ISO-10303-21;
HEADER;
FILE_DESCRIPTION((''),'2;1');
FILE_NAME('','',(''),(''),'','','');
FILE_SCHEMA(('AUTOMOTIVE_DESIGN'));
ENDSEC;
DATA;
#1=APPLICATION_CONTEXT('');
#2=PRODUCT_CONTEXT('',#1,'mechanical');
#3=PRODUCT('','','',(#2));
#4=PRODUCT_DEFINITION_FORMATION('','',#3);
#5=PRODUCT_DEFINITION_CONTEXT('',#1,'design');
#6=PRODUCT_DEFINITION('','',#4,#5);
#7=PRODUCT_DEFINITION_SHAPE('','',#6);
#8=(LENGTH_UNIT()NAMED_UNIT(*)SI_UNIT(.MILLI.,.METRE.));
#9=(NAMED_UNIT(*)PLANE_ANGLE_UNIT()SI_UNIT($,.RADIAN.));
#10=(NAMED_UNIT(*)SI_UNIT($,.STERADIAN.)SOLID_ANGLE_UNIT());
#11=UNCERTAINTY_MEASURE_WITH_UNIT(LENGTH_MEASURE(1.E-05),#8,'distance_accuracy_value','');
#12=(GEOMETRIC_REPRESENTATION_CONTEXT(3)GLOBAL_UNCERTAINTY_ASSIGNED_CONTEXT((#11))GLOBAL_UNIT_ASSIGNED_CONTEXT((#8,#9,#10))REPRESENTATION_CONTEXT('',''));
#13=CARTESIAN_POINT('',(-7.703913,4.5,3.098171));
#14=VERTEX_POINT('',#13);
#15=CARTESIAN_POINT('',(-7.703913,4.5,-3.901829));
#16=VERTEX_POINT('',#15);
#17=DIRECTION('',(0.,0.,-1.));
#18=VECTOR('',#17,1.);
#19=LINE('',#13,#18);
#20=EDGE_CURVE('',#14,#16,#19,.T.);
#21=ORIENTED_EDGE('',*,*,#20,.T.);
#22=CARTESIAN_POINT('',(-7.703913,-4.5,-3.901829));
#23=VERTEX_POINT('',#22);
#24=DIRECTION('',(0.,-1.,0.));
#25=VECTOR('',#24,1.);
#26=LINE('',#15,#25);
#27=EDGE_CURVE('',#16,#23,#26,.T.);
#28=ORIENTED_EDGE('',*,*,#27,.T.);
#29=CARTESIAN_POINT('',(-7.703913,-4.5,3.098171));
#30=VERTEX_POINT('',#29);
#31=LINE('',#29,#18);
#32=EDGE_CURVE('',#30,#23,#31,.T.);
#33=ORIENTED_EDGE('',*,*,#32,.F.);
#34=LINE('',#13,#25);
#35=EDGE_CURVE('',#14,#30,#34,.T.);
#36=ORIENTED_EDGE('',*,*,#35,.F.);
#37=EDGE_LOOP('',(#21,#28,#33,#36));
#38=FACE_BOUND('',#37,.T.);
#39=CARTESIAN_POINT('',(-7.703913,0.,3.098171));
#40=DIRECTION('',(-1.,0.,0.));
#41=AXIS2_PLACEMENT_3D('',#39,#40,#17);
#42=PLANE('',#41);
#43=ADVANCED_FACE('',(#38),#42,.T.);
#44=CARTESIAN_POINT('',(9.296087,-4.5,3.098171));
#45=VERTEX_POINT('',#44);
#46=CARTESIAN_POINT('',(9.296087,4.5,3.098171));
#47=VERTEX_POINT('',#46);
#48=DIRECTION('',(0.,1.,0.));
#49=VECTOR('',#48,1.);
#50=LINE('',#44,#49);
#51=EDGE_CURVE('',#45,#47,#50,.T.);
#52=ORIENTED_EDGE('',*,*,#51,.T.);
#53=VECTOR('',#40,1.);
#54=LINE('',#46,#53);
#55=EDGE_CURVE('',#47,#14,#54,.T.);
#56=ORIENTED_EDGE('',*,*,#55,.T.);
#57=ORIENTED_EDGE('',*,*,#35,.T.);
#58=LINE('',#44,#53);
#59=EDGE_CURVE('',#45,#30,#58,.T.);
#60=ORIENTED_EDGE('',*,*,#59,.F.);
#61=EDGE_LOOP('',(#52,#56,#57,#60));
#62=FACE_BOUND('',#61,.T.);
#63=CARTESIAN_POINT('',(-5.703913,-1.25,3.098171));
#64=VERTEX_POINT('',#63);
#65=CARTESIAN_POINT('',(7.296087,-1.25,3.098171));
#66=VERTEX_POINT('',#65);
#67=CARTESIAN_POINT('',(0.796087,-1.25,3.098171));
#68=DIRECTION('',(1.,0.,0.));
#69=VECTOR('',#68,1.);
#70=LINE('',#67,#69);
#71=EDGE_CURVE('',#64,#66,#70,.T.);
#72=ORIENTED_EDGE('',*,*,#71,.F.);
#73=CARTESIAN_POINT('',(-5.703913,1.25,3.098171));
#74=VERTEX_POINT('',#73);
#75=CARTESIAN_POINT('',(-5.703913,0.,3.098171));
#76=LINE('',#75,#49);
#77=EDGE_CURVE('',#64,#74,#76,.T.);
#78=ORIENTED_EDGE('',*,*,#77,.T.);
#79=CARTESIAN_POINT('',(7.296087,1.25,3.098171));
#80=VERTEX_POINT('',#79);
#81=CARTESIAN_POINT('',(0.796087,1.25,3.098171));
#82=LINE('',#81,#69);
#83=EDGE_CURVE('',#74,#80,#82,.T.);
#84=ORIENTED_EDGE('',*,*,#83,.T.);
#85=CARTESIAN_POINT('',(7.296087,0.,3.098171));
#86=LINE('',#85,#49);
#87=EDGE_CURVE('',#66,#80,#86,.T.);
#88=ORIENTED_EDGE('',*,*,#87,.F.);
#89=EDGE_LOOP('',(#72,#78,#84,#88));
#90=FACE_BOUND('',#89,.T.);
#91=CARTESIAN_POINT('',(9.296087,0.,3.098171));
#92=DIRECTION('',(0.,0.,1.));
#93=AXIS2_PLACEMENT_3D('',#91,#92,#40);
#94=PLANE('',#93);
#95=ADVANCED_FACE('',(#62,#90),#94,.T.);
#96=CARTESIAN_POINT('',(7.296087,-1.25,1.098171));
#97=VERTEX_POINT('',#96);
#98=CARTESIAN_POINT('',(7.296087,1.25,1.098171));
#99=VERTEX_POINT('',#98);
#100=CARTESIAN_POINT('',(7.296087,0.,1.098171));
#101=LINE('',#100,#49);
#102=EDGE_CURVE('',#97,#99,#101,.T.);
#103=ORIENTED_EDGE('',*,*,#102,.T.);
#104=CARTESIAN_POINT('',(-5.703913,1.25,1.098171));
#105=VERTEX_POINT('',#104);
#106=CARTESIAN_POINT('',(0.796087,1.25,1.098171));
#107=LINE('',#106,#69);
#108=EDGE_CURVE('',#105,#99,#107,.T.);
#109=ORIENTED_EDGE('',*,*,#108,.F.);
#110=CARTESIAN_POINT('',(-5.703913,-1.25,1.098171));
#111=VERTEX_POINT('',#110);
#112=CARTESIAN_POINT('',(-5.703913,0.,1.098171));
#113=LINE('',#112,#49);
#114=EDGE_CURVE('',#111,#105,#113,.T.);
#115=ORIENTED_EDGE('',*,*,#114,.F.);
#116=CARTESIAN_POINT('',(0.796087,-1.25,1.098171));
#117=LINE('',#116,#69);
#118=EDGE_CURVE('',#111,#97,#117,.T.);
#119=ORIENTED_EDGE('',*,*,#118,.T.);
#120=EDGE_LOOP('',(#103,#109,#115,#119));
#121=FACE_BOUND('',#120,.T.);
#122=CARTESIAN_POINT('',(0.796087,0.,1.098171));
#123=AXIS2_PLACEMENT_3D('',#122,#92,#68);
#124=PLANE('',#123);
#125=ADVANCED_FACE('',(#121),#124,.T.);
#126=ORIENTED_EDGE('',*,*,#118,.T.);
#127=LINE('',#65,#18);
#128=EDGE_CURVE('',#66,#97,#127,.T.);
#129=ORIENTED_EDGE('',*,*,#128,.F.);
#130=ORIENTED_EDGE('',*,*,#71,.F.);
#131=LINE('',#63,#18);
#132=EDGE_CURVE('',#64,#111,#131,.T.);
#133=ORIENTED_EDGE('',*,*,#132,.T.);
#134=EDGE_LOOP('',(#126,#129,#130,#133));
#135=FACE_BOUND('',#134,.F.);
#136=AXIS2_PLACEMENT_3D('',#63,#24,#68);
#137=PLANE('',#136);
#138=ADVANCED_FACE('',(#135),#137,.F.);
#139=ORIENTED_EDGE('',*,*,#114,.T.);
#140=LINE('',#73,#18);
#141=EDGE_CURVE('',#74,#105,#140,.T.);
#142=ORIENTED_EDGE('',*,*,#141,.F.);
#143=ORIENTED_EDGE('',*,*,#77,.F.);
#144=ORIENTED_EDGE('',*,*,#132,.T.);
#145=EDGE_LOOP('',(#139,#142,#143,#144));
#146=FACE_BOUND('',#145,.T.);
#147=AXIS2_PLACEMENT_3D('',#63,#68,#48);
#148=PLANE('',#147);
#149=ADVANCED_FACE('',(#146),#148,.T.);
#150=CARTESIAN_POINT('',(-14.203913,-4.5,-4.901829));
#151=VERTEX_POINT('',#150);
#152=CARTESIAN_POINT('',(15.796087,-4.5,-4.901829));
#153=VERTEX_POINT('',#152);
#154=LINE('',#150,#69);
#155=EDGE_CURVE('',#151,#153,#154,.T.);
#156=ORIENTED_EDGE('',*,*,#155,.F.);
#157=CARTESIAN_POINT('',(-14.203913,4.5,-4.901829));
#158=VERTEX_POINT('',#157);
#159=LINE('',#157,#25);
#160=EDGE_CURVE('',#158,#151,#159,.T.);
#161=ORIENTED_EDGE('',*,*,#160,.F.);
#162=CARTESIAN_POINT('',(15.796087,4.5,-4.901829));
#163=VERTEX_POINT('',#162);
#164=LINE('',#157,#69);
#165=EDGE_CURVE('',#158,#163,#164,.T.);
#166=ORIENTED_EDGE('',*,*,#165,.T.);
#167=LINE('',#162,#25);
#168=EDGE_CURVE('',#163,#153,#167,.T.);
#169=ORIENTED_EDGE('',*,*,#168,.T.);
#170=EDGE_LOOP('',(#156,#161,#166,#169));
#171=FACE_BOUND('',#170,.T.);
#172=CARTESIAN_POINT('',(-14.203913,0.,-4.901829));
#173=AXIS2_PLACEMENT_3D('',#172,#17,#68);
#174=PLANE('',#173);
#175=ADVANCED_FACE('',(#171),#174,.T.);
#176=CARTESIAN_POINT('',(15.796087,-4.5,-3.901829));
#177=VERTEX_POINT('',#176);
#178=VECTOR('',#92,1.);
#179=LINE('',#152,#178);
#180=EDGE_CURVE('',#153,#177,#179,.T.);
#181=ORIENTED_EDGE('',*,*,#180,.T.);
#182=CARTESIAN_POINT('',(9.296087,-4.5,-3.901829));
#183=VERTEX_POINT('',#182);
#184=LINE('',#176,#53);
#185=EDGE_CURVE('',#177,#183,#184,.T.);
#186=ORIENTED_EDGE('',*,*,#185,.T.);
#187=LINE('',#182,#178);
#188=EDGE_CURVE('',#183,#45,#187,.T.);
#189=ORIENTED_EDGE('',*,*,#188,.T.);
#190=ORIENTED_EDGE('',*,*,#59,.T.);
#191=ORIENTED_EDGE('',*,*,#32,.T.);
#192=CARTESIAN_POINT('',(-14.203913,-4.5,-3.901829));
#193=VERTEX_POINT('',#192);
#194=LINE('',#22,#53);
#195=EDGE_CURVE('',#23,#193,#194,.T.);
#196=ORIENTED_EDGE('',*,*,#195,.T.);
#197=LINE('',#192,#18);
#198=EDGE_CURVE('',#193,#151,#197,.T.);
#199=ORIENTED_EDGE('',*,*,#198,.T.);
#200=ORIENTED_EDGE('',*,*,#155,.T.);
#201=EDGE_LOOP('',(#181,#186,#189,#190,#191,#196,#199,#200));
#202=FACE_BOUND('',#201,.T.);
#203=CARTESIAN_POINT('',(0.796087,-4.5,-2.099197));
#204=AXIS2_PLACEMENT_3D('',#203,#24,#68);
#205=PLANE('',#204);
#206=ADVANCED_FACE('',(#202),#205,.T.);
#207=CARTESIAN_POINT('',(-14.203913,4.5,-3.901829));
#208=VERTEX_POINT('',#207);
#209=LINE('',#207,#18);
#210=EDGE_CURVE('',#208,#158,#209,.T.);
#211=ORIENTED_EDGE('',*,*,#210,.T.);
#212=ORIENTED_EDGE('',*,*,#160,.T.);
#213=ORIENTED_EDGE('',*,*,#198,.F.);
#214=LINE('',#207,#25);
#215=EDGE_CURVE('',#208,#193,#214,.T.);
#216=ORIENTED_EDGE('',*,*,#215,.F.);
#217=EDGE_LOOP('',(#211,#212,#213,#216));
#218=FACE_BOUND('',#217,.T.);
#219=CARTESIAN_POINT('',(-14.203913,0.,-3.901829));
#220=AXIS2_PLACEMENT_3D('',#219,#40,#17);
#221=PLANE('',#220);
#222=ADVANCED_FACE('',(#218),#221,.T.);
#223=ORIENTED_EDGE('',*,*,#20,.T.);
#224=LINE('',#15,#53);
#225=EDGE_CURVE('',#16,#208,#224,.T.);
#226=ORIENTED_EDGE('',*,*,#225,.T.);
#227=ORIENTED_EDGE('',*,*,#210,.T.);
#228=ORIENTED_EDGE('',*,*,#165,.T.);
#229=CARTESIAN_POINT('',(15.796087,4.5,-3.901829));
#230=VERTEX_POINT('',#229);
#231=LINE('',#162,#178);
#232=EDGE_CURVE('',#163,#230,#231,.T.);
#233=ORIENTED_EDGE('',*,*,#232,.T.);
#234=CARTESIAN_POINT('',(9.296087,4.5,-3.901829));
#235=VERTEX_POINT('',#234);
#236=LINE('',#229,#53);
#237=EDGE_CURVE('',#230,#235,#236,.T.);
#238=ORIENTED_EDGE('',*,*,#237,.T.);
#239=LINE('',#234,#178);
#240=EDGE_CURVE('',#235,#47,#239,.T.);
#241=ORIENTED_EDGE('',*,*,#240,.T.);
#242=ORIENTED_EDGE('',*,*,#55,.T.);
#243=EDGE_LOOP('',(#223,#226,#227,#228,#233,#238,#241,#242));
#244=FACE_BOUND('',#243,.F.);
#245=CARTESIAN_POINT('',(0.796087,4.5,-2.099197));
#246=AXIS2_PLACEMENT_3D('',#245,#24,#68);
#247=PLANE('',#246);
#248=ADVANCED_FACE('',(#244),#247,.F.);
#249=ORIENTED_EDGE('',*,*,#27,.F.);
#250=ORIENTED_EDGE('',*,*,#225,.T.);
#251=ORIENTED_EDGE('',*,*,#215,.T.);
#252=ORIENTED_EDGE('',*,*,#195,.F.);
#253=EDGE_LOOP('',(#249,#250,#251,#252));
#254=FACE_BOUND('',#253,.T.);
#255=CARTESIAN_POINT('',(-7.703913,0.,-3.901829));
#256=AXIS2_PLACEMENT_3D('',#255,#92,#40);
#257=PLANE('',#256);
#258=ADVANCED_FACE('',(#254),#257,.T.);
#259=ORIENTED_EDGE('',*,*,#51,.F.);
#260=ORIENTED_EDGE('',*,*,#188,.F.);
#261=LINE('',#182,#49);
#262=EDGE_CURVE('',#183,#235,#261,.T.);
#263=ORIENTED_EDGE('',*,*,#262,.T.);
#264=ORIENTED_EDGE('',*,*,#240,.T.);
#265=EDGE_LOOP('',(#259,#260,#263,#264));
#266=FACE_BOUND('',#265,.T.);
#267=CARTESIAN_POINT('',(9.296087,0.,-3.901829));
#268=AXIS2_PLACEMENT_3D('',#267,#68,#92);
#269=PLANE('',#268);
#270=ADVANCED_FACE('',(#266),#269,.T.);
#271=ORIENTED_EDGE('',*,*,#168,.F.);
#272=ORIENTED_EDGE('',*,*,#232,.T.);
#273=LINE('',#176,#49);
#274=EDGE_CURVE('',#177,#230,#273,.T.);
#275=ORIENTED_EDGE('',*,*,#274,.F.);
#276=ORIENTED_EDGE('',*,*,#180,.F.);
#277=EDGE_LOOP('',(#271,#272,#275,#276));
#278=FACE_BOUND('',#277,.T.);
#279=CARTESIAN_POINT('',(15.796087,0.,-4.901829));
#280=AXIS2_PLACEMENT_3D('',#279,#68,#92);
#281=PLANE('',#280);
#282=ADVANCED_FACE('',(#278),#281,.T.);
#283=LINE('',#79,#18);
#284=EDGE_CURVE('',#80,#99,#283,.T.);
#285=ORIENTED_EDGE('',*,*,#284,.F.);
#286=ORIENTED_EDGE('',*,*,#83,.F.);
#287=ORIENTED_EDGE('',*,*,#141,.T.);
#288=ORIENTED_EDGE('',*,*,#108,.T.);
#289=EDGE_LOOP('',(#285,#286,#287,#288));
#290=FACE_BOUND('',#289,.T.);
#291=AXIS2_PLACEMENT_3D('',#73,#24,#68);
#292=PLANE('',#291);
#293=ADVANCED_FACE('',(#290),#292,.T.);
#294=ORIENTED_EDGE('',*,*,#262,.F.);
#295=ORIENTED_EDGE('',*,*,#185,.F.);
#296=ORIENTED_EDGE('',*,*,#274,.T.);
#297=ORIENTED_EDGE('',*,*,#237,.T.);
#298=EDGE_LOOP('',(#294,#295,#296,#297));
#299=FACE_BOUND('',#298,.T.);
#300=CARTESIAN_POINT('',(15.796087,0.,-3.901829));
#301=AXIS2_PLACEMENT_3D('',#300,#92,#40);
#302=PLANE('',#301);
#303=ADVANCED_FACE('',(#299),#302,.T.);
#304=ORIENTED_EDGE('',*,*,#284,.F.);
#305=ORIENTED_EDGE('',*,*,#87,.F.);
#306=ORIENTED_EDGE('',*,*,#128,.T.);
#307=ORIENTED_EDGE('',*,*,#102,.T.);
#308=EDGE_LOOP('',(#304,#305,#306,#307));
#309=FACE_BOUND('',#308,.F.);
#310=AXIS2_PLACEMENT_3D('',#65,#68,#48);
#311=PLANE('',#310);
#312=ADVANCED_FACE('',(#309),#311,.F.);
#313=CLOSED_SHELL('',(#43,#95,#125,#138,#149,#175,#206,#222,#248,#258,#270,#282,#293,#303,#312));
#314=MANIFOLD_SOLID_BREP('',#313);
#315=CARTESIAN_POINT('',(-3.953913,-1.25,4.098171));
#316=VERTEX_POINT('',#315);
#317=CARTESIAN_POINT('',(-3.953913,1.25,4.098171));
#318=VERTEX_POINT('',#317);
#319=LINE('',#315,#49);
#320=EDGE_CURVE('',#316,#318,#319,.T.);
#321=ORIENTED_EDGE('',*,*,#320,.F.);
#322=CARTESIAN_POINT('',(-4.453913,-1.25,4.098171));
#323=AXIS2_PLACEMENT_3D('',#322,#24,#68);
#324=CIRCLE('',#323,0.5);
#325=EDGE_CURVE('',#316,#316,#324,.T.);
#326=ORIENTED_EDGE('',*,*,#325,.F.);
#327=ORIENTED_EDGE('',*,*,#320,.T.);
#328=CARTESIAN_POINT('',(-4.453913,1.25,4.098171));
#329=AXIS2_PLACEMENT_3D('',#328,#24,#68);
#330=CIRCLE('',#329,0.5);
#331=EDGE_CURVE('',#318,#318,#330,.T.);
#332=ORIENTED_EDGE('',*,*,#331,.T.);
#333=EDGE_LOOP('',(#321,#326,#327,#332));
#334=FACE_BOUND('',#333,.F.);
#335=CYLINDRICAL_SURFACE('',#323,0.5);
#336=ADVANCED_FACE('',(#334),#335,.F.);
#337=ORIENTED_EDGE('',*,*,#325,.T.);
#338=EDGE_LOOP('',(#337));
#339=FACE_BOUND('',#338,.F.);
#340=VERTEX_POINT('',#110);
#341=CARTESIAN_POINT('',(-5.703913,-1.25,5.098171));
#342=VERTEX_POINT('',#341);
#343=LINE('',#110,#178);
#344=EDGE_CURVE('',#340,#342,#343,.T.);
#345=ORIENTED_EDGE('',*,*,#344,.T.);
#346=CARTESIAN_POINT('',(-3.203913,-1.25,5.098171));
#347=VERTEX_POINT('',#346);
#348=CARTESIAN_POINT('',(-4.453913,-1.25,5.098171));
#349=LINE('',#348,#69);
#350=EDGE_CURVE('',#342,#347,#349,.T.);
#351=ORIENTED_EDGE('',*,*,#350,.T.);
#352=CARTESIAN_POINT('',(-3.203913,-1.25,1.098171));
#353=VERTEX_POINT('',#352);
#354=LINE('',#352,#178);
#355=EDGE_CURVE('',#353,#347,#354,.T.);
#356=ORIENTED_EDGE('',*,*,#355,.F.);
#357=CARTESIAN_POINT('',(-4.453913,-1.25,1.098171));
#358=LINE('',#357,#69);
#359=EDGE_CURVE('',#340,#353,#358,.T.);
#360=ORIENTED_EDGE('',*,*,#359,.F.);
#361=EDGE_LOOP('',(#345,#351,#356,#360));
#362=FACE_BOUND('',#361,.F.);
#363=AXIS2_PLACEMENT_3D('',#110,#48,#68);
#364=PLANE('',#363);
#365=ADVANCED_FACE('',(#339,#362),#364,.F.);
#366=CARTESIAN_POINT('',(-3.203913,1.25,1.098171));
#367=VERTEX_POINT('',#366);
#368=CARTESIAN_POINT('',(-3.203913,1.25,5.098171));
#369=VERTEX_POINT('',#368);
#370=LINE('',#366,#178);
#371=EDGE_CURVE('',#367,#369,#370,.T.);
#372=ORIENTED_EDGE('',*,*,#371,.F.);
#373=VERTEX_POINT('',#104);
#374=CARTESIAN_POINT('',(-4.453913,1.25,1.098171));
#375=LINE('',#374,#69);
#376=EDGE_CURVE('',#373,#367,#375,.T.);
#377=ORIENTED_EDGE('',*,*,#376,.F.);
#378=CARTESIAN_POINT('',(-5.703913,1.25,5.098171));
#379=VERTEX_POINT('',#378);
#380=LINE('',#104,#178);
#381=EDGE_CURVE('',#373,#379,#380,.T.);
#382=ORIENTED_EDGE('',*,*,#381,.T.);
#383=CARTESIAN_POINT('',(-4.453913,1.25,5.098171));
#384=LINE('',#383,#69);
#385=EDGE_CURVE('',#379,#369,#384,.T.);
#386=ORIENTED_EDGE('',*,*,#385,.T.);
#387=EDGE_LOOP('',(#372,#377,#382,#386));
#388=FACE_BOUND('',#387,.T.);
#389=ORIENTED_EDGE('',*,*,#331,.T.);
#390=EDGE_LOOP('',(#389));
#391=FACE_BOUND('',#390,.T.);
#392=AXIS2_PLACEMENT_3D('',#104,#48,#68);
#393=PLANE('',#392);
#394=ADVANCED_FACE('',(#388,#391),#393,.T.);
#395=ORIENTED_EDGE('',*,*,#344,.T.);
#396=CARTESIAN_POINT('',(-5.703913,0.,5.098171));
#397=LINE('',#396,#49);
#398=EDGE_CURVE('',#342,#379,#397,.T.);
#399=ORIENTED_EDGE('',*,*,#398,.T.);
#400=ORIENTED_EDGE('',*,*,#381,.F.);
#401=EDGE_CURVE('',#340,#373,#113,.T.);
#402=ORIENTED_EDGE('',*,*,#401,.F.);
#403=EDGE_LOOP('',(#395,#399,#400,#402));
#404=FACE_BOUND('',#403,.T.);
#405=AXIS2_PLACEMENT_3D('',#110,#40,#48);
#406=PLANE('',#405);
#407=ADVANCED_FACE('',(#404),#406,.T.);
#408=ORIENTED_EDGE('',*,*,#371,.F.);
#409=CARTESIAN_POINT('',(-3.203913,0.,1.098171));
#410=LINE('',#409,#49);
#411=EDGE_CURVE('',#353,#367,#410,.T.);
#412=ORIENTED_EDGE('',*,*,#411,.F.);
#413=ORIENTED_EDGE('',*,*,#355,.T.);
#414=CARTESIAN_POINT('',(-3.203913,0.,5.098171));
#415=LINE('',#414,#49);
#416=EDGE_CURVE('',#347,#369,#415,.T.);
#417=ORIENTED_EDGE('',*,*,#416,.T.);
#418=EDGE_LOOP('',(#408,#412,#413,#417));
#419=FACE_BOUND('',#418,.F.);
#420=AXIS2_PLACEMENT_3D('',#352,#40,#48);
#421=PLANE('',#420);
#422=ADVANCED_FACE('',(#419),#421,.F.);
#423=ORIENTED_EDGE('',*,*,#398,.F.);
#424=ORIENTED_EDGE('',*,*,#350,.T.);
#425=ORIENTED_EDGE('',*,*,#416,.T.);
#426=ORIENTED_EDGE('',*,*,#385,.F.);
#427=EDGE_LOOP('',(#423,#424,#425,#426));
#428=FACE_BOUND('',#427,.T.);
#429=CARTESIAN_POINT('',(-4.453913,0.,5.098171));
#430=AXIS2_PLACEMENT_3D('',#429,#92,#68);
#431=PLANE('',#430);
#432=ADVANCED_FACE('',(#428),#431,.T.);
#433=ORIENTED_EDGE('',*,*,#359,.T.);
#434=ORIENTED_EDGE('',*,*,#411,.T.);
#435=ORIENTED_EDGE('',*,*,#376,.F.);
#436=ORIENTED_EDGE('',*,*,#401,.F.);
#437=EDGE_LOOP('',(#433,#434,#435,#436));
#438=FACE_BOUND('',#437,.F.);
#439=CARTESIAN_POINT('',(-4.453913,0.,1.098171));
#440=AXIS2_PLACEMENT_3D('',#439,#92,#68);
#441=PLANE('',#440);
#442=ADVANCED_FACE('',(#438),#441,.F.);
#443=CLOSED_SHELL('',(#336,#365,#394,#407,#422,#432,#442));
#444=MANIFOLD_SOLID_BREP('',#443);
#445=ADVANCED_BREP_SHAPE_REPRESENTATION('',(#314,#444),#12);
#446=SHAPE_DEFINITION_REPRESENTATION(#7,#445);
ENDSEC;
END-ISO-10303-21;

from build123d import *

# Parameters (mm, degrees)
F1_DEPTH = 4.5
F2_W     = 13
F2_H     = 2.5
F3_DEPTH = 2
F4_W     = 2.5
F4_H     = 2.5
F5_DEPTH = 4
F6_R     = 0.5
F7_DEPTH = 5.751


with BuildPart() as f1:
    # F0 (on Front) → F1 (new body, symmetric)
    with BuildSketch(Plane.XZ):
        Polygon((9.296087, 3.098171), (-7.703913, 3.098171), (-7.703913, -3.901829), (-14.203913, -3.901829), (-14.203913, -4.901829), (15.796087, -4.901829), (15.796087, -3.901829), (9.296087, -3.901829), align=None)
    extrude(amount=F1_DEPTH, both=True)

    # F2 (on face) → F3 (cut)
    with BuildSketch(Plane.XY.offset(3.098171)):
        with Locations((0.796087, 0)):
            Rectangle(F2_W, F2_H)
    extrude(amount=-F3_DEPTH, mode=Mode.SUBTRACT)


with BuildPart() as f5:
    # F4 (on face) → F5 (new body)
    with BuildSketch(Plane.XY.offset(1.098171)):
        with Locations((-4.453913, 0)):
            Rectangle(F4_W, F4_H)
    extrude(amount=F5_DEPTH)

    # F6 (on face) → F7 (cut, through all)
    with BuildSketch(Plane.XZ.offset(1.25)):
        with Locations((-4.453913, 4.098171)):
            Circle(F6_R)
    extrude(amount=-F7_DEPTH, mode=Mode.SUBTRACT)


solid = Compound([f1.part, f5.part])
